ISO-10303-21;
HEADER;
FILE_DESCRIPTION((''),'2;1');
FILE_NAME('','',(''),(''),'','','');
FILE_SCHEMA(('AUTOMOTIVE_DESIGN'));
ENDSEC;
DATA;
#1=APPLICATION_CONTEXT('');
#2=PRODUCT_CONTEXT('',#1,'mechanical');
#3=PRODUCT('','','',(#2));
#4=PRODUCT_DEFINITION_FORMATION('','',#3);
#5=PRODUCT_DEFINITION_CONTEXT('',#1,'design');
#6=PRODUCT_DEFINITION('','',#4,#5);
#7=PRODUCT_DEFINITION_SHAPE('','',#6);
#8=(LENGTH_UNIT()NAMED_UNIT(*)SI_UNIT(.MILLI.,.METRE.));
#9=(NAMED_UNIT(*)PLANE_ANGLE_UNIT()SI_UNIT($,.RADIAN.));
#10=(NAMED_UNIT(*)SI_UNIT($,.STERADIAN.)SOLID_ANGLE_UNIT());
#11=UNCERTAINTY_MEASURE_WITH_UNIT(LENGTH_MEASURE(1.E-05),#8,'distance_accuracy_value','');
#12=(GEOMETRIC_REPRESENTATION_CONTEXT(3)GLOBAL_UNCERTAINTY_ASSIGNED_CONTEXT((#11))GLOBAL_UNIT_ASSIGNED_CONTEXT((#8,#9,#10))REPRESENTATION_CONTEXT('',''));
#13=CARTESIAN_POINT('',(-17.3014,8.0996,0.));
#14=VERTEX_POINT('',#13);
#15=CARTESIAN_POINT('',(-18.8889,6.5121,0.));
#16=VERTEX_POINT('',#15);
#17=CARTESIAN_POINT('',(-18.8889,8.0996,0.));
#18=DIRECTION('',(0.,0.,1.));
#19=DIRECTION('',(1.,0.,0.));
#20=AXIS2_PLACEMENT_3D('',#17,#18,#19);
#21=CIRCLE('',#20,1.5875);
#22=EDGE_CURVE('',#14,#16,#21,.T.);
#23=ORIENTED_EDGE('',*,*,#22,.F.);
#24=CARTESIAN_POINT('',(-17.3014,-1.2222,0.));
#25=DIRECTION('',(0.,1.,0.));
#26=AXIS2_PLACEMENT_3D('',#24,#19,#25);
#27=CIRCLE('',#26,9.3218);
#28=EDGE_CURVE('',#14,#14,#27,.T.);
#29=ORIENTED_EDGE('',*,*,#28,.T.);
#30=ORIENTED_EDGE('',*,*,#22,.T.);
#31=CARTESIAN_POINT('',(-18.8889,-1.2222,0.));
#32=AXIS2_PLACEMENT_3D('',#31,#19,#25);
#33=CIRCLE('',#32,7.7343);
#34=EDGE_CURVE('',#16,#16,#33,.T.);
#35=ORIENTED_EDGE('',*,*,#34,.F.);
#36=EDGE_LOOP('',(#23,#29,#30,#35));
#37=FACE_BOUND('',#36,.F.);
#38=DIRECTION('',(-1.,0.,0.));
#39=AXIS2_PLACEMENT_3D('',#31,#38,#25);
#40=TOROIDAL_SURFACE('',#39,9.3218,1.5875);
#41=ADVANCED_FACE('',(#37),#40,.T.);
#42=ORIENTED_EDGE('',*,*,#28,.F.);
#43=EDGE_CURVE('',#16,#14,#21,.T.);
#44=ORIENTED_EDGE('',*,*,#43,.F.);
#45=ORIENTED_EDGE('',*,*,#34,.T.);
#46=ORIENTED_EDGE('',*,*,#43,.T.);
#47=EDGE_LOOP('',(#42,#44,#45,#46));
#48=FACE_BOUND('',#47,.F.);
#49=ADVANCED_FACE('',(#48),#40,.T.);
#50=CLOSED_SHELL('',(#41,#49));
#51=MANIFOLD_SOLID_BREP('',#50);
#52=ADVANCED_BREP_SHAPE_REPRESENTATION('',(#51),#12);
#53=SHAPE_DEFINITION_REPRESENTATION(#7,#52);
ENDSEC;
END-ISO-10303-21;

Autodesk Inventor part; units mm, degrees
ref_plane "YZ Plane" through (0, 0, 0) normal (1, 0, 0) x (0, 1, 0)
ref_plane "XZ Plane" through (0, 0, 0) normal (0, 1, 0) x (-1, 0, 0)
ref_plane "XY Plane" through (0, 0, 0) normal (0, 0, 1) x (1, 0, 0)
sketch "Sketch1" plane through (0, 0, 0) normal (0, 0, 1) x (1, 0, 0)
  circle A0 centre (-18.8889, 8.0996) radius 1.5875
  line L0 (-29.2593, -1.2222) -> (-5.1852, -1.2222)
  line L1 (-18.8889, 8.0996) -> (-18.8889, 6.5121)
  line L2 (-18.8889, 6.5121) -> (-18.8889, -1.2222)
  dimension "d0" = 3.175
  dimension "d1" = 7.7343
revolve "Revolution1" add sketch "Sketch1" angle 360 about axis through (-29.2593, -1.2222, 0) along (1, 0, 0)
properties part number "O Ring 1 R.609 1764"
